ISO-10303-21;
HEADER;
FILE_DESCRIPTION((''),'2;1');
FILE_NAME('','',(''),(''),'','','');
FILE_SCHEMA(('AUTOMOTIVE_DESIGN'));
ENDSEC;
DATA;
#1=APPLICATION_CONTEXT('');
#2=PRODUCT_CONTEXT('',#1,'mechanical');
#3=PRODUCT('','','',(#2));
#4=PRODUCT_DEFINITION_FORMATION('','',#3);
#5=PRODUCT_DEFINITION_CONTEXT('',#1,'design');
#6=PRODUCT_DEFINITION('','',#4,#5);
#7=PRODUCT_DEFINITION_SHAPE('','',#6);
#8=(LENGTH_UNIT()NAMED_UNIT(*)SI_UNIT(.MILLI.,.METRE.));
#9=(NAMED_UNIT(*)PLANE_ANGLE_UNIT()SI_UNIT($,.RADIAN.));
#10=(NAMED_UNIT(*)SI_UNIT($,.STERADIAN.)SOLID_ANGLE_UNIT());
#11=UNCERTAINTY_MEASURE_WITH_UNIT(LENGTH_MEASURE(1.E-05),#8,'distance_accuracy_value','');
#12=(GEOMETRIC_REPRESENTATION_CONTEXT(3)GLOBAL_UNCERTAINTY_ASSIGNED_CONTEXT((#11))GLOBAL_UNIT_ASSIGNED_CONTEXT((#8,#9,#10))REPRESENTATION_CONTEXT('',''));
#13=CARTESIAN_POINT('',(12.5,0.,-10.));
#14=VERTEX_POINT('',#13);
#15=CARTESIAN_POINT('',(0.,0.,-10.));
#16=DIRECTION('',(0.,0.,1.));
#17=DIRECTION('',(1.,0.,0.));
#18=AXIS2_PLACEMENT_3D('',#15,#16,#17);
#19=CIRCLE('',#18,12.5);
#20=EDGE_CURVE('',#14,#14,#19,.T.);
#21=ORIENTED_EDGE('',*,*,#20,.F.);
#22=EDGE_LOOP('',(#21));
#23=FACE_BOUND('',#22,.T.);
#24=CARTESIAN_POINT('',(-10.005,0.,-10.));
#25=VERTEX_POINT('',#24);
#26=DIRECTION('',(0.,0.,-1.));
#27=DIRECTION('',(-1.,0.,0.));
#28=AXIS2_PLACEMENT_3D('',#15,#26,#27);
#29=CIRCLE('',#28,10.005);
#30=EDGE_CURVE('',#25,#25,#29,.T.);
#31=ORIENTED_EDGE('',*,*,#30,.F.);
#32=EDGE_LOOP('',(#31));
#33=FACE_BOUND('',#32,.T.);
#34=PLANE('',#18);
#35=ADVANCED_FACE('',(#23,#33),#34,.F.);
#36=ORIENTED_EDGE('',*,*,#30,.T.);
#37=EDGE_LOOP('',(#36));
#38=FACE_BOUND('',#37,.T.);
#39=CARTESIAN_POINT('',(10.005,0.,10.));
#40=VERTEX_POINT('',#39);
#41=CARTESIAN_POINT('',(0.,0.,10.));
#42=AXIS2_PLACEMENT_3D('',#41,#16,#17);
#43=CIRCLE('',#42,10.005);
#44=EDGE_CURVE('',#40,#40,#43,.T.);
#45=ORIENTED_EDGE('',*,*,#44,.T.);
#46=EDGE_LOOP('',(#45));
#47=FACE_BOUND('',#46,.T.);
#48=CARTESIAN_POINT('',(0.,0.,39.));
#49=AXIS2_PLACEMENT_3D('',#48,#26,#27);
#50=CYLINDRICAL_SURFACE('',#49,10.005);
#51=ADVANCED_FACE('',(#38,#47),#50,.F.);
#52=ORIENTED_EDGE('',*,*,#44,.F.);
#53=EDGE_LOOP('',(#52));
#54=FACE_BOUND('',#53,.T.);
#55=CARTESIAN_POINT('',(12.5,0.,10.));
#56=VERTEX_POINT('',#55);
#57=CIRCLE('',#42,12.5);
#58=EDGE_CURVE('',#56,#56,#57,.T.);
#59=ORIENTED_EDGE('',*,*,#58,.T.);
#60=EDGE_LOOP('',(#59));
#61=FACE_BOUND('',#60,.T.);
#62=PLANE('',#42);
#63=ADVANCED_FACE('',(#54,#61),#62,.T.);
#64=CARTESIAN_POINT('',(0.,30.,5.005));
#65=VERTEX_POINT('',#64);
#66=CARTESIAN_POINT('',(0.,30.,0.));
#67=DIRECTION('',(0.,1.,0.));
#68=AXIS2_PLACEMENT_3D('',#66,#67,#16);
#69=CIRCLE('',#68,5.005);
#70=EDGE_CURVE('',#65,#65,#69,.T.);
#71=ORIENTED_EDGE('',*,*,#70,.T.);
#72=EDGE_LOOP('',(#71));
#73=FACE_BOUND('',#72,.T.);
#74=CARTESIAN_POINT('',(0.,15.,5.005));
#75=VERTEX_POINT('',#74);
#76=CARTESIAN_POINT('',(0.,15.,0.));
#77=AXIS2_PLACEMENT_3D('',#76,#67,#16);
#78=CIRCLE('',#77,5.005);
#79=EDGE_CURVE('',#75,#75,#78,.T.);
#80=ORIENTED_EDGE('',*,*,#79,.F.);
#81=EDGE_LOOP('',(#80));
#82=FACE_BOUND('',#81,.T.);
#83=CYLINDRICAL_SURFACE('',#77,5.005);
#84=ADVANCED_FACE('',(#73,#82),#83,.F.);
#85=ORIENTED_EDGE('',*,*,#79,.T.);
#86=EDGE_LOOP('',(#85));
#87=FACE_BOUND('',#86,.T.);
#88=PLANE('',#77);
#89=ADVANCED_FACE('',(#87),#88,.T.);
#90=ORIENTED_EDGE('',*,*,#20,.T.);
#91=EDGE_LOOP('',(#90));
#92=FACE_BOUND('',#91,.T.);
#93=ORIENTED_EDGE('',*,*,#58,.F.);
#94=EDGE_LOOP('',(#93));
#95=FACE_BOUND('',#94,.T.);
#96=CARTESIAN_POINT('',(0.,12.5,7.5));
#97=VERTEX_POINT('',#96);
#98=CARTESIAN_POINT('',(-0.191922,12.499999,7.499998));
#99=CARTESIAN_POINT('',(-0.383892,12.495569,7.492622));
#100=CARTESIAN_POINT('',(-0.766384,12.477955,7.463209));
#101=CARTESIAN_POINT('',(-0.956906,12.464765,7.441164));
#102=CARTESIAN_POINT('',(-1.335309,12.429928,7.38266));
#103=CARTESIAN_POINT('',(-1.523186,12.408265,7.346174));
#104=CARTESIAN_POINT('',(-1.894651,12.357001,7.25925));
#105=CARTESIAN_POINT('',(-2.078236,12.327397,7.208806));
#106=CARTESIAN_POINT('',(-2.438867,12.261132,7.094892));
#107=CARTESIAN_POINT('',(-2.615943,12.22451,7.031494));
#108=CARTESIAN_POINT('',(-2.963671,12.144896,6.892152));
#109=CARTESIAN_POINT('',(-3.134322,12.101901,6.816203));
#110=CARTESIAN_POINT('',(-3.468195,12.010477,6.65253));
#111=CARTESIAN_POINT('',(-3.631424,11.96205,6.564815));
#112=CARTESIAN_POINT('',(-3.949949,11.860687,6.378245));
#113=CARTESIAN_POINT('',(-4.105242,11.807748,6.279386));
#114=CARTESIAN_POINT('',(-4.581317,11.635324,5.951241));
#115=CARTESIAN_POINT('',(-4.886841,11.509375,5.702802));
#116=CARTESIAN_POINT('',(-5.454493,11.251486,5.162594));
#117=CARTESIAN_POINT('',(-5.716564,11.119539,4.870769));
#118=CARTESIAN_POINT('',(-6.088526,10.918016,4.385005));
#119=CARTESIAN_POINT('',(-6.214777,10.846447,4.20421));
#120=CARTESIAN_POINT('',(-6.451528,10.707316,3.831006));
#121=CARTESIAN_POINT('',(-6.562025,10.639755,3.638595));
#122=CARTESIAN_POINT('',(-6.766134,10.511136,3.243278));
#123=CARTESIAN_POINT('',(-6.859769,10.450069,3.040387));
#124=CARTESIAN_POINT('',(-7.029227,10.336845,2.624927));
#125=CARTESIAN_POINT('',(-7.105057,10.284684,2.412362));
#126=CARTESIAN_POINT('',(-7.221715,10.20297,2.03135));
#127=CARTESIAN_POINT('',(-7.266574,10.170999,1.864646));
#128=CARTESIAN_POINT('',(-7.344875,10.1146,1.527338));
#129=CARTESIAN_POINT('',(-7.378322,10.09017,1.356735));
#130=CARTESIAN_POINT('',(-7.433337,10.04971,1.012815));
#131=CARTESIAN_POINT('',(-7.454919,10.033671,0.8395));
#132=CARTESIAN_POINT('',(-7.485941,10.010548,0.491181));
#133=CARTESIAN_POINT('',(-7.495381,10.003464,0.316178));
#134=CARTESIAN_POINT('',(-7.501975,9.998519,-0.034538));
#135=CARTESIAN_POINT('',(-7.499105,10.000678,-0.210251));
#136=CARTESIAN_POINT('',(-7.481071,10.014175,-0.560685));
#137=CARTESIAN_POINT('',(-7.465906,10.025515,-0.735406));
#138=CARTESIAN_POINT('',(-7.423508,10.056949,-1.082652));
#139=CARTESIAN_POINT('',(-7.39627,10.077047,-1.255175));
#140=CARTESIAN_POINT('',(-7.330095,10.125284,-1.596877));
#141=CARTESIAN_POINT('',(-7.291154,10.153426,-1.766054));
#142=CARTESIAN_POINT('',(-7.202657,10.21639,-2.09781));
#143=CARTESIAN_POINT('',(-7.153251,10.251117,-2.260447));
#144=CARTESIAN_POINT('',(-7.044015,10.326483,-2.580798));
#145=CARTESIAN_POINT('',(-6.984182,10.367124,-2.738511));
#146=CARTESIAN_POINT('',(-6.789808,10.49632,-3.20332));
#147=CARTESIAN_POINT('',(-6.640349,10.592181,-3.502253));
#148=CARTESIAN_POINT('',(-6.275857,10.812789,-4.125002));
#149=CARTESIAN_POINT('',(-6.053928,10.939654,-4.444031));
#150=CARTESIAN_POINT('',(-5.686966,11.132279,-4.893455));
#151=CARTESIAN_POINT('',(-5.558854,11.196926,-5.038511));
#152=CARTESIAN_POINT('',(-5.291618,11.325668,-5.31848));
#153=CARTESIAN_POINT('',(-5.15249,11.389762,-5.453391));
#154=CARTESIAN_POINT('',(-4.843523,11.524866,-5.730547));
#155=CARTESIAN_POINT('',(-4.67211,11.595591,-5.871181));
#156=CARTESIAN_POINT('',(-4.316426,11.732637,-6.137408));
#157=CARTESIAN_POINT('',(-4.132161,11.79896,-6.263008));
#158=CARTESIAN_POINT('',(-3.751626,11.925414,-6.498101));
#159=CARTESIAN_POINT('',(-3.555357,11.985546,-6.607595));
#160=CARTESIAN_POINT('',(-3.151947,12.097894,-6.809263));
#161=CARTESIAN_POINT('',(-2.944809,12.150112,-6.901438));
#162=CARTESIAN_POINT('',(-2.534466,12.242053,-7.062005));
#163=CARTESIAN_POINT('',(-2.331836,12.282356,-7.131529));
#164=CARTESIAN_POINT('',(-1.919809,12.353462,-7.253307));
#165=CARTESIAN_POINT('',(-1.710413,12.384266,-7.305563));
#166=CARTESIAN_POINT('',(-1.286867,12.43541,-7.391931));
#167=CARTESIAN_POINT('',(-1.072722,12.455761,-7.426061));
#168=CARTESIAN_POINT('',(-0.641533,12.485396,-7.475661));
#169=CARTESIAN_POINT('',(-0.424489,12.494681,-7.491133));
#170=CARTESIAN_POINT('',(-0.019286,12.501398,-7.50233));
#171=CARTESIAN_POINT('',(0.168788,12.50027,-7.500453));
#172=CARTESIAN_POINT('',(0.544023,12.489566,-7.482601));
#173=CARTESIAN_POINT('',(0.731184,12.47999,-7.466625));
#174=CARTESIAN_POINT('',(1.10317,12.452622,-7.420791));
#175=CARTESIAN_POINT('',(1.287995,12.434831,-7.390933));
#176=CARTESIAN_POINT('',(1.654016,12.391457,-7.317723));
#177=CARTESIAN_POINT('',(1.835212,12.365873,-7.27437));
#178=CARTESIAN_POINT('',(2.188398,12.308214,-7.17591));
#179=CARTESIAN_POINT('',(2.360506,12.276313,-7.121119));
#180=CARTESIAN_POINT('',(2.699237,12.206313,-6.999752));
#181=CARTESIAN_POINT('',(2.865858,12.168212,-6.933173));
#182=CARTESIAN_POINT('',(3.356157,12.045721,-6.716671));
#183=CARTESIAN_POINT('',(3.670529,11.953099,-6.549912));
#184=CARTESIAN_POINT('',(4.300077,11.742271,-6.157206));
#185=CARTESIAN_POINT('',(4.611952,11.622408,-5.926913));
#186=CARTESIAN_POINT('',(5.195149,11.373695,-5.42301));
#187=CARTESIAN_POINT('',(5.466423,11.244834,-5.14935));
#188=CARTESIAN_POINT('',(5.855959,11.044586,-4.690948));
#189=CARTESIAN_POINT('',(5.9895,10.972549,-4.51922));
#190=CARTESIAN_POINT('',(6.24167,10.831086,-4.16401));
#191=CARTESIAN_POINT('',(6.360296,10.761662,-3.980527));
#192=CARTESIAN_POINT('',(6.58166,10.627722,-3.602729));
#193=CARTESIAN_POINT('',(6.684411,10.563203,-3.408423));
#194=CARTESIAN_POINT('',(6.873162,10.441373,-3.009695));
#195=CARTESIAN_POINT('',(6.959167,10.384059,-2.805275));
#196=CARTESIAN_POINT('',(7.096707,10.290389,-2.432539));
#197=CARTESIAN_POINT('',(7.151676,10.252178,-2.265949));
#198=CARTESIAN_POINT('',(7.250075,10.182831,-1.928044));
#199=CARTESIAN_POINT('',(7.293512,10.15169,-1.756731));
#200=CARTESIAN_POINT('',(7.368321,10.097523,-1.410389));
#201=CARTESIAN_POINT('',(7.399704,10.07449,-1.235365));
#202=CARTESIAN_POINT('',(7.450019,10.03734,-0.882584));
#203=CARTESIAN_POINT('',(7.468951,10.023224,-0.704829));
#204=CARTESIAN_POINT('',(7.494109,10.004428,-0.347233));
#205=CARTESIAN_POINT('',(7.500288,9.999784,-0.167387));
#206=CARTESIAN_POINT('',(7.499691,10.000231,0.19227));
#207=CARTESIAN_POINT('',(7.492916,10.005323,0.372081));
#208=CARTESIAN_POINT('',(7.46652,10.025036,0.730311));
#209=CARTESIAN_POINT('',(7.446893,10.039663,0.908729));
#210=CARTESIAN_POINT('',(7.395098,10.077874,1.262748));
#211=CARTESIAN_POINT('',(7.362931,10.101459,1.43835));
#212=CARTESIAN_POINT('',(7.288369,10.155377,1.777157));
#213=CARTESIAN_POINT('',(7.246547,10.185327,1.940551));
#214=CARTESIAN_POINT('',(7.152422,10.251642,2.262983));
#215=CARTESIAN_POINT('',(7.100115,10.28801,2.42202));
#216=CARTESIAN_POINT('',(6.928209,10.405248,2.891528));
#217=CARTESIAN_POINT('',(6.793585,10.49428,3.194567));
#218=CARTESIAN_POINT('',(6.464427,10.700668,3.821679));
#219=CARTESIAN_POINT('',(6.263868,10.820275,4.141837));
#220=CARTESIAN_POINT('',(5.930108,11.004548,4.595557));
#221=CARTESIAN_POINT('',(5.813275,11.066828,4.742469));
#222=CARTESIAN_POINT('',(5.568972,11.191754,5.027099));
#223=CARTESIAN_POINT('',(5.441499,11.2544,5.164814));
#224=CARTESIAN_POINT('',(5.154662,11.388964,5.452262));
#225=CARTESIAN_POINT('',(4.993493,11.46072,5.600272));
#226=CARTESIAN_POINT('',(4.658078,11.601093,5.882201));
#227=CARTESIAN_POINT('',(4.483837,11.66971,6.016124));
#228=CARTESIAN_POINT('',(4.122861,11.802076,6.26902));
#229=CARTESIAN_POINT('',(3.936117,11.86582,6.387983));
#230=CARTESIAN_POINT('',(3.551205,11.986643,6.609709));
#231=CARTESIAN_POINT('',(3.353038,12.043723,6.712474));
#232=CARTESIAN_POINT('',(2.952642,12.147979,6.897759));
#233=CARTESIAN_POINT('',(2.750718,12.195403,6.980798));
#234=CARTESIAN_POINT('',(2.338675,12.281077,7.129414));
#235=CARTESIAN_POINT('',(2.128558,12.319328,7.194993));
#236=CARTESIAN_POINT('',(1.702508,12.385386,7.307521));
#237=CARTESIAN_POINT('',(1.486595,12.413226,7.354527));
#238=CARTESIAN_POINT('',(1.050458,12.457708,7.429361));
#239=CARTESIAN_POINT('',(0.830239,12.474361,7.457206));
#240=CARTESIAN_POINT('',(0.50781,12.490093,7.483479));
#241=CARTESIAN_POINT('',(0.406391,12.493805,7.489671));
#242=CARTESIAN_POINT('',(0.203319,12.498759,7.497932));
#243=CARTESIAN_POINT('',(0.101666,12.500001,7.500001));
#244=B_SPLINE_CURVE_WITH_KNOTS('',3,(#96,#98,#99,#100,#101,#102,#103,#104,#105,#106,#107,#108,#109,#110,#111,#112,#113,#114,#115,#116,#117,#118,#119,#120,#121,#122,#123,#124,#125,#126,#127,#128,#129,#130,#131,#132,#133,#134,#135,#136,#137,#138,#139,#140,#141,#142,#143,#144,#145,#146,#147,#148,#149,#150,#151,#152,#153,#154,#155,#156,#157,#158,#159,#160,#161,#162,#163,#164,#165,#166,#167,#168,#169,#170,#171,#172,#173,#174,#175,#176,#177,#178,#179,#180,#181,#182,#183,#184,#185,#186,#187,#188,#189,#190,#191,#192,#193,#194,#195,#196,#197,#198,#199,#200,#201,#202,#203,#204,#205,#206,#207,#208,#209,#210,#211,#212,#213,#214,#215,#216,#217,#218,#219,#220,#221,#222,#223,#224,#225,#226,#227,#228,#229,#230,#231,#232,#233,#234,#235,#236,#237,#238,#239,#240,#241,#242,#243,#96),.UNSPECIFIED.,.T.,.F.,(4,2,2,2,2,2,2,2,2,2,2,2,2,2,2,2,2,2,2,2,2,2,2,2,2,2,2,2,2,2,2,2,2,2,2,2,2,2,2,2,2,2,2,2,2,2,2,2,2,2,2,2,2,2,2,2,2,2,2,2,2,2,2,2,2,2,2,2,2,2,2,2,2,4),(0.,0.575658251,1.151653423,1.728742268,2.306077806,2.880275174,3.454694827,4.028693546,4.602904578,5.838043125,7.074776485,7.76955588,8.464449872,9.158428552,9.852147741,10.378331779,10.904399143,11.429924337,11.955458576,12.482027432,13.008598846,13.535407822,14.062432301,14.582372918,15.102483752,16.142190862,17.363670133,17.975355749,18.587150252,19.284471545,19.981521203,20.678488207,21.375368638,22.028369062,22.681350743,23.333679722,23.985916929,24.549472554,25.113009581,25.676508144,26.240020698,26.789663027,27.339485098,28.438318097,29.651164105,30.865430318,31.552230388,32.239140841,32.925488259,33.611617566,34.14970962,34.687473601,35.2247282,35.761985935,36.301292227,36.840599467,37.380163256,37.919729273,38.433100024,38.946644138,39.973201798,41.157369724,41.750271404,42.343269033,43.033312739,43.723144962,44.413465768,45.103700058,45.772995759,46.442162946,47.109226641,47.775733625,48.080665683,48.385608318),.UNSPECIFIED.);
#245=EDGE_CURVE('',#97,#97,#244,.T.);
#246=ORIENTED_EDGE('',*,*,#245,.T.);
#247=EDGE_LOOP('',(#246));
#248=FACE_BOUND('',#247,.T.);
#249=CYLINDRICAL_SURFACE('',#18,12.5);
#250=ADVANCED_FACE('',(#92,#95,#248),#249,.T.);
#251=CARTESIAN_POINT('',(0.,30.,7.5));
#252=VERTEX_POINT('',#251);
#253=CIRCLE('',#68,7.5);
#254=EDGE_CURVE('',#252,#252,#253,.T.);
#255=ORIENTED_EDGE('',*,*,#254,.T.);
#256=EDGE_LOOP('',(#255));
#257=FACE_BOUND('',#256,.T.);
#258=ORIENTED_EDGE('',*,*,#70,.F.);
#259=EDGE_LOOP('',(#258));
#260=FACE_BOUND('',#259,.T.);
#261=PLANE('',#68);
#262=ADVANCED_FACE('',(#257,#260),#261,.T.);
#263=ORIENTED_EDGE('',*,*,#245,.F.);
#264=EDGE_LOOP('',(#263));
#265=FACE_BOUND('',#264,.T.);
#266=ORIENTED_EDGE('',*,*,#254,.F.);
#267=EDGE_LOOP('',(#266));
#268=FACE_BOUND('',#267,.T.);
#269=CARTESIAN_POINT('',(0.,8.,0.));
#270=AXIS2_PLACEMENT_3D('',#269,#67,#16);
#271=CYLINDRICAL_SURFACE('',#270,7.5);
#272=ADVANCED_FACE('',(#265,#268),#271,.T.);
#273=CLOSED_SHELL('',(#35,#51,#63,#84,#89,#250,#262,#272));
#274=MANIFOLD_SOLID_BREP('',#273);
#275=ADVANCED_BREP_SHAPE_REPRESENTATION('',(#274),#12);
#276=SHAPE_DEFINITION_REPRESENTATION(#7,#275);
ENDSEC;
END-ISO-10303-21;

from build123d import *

# Parameters (mm, degrees)
SKETCH3_R                = 7.5
BOSS_EXTRUDE1_DEPTH      = 22
BOSS_EXTRUDE2_DEPTH      = 10
BOSS_EXTRUDE2_DEPTH_BACK = 10
SKETCH1_R                = 12.5
SKETCH6_R                = 10.005
CUT_EXTRUDE1_DEPTH       = 49
SKETCH5_R                = 5.005
CUT_EXTRUDE2_DEPTH       = 15


with BuildPart() as part:
    # Sketch3 → Boss-Extrude1 (new body)
    with BuildSketch(Plane(origin=(0, 30, 0), x_dir=(1, 0, 0), z_dir=(0, 1, 0))):
        with Locations(Location((0, 0, 0), (0, 0, 270))):
            Circle(SKETCH3_R)
    extrude(amount=-BOSS_EXTRUDE1_DEPTH)

    # Sketch1 → Boss-Extrude2 (add, two sides: drawn at the far end of the back side and taken through both)
    with BuildSketch(Plane.XY.offset(-BOSS_EXTRUDE2_DEPTH_BACK)):
        Circle(SKETCH1_R)
    extrude(amount=BOSS_EXTRUDE2_DEPTH + BOSS_EXTRUDE2_DEPTH_BACK)

    # Sketch6 → Cut-Extrude1 (cut)
    with BuildSketch(Plane(origin=(0, 0, -10), x_dir=(-1, 0, 0), z_dir=(0, 0, -1))):
        Circle(SKETCH6_R)
    extrude(amount=-CUT_EXTRUDE1_DEPTH, mode=Mode.SUBTRACT)

    # Sketch5 → Cut-Extrude2 (cut)
    with BuildSketch(Plane(origin=(0, 30, 0), x_dir=(1, 0, 0), z_dir=(0, 1, 0))):
        with Locations(Location((0, 0, 0), (0, 0, 270))):
            Circle(SKETCH5_R)
    extrude(amount=-CUT_EXTRUDE2_DEPTH, mode=Mode.SUBTRACT)


solid = part.part
